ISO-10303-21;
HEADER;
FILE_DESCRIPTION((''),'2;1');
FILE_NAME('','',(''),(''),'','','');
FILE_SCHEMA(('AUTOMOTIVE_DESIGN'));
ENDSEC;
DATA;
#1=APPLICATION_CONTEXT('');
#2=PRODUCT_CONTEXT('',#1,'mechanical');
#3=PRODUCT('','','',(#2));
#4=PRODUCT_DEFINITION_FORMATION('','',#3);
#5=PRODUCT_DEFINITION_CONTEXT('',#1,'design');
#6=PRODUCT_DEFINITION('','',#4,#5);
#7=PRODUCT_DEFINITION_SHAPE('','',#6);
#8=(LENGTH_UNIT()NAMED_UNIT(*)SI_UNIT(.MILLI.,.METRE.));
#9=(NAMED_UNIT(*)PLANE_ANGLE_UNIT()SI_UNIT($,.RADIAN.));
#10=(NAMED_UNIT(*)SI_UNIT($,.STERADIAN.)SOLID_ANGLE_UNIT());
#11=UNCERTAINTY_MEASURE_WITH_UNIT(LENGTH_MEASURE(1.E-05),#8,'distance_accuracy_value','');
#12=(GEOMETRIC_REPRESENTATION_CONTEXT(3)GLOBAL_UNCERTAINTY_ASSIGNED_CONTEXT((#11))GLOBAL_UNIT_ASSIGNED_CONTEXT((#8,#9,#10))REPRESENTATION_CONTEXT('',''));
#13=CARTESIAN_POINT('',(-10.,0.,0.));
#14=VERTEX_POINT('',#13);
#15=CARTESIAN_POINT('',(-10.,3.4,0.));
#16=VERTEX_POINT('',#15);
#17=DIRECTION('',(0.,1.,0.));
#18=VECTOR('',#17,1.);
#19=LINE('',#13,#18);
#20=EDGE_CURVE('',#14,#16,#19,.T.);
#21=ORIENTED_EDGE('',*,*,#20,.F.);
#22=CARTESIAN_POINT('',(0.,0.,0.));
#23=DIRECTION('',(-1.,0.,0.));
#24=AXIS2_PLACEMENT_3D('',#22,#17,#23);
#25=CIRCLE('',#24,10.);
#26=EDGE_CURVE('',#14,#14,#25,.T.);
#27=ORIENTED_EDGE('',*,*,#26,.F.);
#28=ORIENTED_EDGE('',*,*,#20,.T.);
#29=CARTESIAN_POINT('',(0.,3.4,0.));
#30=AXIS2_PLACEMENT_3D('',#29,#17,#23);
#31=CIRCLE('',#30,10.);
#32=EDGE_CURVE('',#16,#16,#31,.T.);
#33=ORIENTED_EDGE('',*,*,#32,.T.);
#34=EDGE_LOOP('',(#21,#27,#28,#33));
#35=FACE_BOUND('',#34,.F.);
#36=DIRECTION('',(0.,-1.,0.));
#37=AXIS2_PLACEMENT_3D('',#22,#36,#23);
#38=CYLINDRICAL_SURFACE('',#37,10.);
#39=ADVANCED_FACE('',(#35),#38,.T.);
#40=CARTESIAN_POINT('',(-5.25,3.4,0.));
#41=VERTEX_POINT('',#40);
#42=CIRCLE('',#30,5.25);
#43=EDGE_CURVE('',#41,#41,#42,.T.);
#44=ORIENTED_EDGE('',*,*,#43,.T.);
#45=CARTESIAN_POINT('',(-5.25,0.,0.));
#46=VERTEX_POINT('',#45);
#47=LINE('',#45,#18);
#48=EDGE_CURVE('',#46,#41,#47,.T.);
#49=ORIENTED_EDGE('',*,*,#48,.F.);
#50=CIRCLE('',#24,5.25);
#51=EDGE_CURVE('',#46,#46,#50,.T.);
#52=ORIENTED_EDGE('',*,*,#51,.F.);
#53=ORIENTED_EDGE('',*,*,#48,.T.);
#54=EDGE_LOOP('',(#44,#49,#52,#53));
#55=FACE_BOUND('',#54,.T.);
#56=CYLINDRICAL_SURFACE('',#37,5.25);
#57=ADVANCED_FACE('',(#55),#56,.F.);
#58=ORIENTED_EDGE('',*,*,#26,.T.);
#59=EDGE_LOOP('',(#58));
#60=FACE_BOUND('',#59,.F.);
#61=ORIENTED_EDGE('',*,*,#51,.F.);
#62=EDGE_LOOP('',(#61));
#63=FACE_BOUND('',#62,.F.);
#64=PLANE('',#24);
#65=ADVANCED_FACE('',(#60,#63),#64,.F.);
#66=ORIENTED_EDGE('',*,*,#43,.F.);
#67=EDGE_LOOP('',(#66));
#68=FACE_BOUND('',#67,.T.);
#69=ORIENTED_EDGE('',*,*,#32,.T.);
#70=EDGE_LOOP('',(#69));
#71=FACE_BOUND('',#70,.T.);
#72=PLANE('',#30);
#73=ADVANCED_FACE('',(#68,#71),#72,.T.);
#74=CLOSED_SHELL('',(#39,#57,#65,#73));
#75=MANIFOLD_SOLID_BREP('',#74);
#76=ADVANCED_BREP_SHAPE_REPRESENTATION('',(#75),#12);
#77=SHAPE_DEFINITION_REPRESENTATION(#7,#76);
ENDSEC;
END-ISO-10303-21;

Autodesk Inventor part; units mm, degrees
ref_plane "YZ Plane" through (0, 0, 0) normal (1, 0, 0) x (0, 1, 0)
ref_plane "XZ Plane" through (0, 0, 0) normal (0, 1, 0) x (-1, 0, 0)
ref_plane "XY Plane" through (0, 0, 0) normal (0, 0, 1) x (1, 0, 0)
sketch "スケッチ1" plane through (0, 0, 0) normal (0, 1, 0) x (-1, 0, 0)
  point P0 (0, 0)
sketch "スケッチ2" plane through (0, 0, 0) normal (0, 1, 0) x (-1, 0, 0)
  circle A0 centre (0, 0) radius 5.25
  circle A1 centre (0, 0) radius 10
  dimension "d0" = 10.5
  dimension "d1" = 20
extrude "押し出し1" add sketch "スケッチ2" along normal blind 3.4
properties part number "shoulder1_shaftholder_spacer_upper"
